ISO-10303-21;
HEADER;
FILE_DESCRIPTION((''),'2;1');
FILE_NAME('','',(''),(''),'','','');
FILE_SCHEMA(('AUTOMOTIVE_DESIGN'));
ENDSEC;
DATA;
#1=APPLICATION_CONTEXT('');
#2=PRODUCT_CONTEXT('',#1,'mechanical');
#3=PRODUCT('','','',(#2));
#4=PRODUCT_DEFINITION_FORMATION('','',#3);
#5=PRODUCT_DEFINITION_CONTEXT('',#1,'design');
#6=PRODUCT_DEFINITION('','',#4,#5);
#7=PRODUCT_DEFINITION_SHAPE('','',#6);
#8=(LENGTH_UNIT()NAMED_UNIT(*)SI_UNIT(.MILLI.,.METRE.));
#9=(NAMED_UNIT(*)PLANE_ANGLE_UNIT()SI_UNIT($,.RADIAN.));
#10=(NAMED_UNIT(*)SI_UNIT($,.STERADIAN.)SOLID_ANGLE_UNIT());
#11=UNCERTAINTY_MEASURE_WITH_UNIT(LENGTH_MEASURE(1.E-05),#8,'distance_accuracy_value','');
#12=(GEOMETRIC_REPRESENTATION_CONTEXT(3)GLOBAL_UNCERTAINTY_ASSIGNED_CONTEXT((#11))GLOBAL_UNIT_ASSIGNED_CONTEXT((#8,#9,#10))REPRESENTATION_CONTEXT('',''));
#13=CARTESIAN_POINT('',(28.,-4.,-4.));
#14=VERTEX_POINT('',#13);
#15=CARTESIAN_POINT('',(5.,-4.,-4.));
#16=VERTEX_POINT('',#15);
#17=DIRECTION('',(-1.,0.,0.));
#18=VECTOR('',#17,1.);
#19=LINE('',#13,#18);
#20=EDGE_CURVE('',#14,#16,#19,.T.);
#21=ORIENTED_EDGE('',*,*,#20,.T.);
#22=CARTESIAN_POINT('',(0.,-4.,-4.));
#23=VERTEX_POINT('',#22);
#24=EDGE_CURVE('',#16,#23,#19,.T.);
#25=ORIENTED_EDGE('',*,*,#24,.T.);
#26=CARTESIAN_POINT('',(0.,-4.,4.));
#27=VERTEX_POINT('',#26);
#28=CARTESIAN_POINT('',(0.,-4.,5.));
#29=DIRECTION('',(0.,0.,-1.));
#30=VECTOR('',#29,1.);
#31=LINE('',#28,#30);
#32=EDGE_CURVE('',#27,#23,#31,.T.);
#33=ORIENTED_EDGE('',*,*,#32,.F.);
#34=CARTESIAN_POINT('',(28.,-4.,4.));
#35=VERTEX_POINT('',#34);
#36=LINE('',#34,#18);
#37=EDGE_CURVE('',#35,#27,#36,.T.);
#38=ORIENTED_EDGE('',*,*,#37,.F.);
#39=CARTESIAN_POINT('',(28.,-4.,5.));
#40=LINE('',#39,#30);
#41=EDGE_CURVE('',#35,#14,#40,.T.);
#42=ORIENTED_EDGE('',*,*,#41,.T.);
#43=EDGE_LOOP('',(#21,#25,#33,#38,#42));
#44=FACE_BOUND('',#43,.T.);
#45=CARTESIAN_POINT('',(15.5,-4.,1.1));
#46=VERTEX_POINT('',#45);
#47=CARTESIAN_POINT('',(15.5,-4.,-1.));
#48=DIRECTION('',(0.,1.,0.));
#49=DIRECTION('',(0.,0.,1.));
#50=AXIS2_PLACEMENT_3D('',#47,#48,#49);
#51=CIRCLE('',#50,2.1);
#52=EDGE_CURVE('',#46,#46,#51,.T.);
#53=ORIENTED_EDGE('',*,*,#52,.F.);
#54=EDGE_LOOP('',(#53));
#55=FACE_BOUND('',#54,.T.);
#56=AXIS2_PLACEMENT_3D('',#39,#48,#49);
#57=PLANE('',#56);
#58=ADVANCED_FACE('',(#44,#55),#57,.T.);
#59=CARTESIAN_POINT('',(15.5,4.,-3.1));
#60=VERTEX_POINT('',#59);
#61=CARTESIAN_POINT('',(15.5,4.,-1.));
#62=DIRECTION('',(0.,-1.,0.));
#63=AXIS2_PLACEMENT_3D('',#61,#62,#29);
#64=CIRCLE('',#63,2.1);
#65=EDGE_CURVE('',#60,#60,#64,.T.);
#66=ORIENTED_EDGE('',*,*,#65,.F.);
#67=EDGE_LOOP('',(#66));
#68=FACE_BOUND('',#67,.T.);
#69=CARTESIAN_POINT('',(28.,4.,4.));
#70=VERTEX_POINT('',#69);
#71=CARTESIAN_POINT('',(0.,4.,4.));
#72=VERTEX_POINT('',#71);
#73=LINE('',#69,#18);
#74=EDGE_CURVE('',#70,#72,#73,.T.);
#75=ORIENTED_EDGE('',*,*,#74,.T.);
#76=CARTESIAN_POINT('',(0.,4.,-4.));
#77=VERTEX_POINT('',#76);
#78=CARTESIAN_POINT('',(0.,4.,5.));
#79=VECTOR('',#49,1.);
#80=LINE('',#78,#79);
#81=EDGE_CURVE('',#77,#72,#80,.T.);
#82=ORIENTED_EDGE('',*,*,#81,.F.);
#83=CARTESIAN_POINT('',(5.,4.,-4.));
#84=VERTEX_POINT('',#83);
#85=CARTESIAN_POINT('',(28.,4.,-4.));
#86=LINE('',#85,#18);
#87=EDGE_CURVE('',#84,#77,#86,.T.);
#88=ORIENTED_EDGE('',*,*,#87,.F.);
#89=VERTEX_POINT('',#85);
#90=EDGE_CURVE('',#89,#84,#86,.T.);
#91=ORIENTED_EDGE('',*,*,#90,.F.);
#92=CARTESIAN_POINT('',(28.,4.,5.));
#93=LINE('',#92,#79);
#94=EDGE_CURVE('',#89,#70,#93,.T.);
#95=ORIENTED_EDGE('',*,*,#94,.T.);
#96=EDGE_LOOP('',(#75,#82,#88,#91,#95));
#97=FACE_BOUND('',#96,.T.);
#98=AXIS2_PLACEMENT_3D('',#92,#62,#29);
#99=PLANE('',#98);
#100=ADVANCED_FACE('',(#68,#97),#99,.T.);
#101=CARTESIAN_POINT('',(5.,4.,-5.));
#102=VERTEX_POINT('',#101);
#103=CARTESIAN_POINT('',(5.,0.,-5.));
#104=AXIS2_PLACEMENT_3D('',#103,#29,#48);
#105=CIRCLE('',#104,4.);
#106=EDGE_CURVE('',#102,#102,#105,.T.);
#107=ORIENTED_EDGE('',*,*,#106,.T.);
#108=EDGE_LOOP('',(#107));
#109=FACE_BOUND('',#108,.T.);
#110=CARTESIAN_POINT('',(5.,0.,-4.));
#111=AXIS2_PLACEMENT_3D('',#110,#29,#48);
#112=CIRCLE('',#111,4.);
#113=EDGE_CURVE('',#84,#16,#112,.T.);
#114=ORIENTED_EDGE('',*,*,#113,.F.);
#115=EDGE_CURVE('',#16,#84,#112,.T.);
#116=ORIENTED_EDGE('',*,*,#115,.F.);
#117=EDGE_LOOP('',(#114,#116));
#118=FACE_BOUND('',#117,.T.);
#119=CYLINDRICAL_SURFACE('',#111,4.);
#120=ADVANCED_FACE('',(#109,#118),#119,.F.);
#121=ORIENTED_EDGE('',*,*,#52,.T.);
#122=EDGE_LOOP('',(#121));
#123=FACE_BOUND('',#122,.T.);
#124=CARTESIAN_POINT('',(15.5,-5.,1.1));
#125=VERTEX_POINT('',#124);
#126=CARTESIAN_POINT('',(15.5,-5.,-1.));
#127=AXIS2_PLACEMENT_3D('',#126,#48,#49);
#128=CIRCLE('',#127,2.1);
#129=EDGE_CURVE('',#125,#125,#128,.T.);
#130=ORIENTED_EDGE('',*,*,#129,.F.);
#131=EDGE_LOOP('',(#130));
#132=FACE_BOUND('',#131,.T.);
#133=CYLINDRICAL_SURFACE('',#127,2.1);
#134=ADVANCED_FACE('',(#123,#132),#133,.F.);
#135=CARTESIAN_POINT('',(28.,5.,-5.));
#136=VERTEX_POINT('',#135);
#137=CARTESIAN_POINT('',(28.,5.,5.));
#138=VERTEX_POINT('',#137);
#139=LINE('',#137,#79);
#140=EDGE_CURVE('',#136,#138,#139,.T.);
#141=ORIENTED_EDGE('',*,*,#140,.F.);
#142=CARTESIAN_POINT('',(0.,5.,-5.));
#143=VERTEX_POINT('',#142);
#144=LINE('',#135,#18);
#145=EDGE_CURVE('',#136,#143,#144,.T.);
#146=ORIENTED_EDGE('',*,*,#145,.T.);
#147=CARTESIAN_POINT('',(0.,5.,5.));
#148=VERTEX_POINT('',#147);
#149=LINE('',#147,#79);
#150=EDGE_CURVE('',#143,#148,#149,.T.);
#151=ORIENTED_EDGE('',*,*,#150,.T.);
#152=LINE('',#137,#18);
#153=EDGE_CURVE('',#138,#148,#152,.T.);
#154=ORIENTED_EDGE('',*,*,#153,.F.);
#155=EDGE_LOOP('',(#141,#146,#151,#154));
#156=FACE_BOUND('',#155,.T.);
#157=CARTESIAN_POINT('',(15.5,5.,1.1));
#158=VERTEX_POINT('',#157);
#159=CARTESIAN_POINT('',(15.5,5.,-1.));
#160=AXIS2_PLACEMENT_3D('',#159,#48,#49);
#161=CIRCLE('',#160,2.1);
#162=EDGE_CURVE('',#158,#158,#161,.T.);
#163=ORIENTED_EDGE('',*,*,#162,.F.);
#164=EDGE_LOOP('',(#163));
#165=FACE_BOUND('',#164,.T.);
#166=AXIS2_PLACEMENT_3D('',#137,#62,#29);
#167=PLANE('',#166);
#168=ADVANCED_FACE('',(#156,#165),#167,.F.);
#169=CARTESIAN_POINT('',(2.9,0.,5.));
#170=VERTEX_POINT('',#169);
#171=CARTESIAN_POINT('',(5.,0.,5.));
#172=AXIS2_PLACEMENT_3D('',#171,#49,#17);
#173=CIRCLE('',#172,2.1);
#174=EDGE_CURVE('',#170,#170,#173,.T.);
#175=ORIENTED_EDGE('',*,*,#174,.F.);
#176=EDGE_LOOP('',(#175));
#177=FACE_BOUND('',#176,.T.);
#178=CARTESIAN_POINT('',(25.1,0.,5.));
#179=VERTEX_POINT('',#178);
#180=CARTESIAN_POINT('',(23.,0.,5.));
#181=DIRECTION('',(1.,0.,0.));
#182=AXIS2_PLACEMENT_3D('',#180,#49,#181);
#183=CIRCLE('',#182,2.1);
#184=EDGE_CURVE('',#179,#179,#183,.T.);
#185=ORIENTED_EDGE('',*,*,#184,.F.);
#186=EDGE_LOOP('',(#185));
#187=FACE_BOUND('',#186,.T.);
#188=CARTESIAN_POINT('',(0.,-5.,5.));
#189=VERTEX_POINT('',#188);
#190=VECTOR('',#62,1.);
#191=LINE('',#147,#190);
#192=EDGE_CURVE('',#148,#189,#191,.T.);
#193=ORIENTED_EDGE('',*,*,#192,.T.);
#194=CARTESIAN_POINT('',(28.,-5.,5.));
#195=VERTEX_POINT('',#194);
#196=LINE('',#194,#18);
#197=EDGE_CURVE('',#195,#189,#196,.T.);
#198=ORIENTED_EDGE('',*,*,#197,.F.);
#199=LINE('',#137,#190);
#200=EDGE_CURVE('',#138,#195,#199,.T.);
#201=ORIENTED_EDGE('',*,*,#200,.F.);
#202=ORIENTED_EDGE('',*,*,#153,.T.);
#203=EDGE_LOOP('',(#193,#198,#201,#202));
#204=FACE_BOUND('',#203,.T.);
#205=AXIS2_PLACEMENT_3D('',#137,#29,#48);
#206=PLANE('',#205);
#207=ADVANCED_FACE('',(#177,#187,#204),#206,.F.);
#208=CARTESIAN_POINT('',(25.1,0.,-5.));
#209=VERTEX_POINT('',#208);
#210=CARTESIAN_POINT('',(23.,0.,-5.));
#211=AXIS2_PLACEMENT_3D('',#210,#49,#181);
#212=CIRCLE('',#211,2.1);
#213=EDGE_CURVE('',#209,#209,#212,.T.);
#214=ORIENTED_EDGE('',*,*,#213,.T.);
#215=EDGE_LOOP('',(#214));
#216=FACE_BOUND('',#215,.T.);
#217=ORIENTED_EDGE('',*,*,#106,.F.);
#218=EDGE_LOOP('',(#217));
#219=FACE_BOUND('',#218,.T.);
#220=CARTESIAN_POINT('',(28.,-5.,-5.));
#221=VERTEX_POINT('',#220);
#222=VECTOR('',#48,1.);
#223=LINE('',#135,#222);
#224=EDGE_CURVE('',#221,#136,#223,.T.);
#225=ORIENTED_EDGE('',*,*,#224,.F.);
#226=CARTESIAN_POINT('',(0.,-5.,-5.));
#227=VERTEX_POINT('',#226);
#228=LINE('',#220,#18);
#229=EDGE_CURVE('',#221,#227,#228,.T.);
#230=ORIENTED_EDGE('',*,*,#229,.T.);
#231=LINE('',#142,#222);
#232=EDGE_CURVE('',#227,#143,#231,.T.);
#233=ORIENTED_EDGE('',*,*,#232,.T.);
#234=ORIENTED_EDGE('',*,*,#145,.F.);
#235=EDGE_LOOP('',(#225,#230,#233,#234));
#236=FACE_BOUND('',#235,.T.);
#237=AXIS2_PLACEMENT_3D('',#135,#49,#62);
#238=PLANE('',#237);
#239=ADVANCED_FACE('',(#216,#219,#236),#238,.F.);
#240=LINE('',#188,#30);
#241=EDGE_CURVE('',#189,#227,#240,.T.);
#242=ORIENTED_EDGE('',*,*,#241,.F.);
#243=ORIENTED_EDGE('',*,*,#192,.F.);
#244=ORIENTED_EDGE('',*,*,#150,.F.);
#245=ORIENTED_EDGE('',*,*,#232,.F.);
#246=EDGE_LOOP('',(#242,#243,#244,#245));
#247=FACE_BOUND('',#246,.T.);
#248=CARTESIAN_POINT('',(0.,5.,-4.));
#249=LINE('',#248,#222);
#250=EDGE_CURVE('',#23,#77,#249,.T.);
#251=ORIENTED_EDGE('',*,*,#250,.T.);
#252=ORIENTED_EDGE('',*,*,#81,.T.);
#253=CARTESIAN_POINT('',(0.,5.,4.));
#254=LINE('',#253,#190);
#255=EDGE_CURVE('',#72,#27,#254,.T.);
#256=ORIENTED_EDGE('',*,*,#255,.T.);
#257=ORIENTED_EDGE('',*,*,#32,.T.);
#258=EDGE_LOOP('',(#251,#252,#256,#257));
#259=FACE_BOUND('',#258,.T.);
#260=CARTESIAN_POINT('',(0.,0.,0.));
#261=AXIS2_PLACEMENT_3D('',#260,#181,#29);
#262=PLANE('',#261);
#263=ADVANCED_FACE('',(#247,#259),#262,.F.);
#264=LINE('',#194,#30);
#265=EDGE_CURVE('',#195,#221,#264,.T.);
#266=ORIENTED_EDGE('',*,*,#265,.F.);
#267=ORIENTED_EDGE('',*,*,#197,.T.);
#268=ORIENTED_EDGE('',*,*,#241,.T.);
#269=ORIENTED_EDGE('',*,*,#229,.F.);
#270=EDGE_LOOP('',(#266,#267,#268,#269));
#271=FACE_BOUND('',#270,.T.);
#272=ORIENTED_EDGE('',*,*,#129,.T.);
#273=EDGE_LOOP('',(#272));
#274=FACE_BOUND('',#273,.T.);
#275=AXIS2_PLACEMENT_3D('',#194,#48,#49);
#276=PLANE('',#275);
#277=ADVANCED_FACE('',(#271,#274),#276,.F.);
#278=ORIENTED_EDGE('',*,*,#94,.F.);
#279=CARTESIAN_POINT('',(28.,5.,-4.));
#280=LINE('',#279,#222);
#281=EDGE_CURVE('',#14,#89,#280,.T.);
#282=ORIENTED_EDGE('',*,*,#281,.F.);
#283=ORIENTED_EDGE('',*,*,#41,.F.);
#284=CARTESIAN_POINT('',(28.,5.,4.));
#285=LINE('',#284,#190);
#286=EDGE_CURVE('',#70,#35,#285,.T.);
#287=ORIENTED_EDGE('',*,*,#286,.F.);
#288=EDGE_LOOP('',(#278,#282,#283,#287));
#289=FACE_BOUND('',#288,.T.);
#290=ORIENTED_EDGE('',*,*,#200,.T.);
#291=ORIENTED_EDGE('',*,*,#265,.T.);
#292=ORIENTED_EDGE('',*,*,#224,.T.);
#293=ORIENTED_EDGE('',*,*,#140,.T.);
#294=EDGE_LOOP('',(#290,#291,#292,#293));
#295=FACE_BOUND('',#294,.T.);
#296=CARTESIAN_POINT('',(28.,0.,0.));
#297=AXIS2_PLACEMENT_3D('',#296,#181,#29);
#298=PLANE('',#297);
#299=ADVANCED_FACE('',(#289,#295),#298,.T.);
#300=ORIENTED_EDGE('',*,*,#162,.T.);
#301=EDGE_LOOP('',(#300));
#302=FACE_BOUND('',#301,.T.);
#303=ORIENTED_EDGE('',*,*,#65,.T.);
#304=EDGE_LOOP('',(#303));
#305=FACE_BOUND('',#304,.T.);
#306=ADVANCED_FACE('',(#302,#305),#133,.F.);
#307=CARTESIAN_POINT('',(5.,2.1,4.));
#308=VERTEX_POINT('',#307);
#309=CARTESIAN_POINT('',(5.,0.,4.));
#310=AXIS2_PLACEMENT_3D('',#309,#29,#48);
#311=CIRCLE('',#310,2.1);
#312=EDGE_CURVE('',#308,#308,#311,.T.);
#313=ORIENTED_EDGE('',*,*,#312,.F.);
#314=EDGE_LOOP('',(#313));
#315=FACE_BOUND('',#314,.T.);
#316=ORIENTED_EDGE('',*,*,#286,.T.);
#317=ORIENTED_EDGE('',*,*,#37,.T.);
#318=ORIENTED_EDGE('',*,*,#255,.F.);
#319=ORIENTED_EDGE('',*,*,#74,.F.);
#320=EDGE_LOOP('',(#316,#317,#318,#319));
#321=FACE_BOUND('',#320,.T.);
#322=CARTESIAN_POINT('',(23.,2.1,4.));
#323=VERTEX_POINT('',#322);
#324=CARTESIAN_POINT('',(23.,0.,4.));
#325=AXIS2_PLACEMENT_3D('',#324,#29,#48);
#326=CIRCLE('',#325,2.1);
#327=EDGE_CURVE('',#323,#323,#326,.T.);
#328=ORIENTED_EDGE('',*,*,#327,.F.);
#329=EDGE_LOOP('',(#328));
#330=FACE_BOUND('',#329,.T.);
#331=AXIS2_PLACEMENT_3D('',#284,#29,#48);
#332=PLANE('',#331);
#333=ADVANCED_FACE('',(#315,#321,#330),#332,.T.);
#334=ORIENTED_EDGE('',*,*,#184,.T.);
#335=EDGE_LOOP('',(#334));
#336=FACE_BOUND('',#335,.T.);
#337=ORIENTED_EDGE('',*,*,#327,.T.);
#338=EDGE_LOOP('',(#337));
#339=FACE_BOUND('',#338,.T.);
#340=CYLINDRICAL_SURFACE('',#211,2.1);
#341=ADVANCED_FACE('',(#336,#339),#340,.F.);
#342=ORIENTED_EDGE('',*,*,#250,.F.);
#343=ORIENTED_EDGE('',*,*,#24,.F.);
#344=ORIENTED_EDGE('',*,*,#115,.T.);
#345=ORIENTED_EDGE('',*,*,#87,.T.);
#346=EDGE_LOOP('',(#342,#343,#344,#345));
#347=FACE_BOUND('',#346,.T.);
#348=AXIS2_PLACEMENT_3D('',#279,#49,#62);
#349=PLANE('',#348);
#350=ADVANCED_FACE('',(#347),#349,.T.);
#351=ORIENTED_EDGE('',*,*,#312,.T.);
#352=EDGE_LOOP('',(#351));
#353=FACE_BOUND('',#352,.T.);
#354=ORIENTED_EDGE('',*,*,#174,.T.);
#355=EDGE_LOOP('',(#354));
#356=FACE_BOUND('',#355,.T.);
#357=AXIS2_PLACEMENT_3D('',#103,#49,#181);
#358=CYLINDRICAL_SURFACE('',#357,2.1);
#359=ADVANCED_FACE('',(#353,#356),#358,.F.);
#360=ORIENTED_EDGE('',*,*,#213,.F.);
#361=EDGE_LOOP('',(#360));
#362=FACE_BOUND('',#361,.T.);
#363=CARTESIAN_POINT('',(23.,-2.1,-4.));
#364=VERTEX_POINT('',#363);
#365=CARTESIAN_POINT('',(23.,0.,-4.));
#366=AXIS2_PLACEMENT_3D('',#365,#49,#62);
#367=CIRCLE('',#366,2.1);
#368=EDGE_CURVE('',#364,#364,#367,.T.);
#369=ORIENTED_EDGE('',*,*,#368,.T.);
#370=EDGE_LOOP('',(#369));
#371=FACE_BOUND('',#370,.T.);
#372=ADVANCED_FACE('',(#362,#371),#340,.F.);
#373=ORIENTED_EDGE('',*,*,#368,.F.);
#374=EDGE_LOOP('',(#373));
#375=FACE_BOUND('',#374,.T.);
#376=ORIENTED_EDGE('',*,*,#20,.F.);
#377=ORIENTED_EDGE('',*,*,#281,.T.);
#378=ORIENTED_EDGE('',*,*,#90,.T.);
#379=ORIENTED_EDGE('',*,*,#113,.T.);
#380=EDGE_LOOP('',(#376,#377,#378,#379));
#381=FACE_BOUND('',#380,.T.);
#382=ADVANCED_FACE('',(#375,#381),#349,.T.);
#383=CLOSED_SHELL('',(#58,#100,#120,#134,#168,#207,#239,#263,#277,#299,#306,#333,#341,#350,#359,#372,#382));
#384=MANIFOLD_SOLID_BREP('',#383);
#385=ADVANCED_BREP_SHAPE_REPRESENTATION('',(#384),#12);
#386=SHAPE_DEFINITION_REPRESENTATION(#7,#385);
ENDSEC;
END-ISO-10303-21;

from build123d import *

# Parameters (mm, degrees)
SKETCH_1_W          = 10
SKETCH_1_H          = 10
SKETCH_1_W_2        = 8
SKETCH_1_H_2        = 8
EXTRUDE_1_DEPTH     = 28
SKETCH_4_R          = 2.1
CUT_EXTRUDE_3_DEPTH = 31.149626863
SKETCH_5_R          = 2.1
CUT_EXTRUDE_4_DEPTH = 31.149626863
SKETCH_6_R          = 4
CUT_EXTRUDE_5_DEPTH = 1


with BuildPart() as part:
    # ｽｹｯﾁ1 → 押し出し-薄板1 (new body)
    with BuildSketch(Plane(origin=(0, 0, 0), x_dir=(0, 0, -1), z_dir=(1, 0, 0))):
        Rectangle(SKETCH_1_W, SKETCH_1_H)
        Rectangle(SKETCH_1_W_2, SKETCH_1_H_2, mode=Mode.SUBTRACT)
    extrude(amount=EXTRUDE_1_DEPTH)

    # ｽｹｯﾁ4 → ｶｯﾄ - 押し出し3 (cut, through all)
    with BuildSketch(Plane.XY.offset(5)):
        with Locations((23, 0)):
            Circle(SKETCH_4_R)
        with Locations(Location((5, 0, 0), (0, 0, 90))):
            Circle(SKETCH_4_R)
    extrude(amount=-CUT_EXTRUDE_3_DEPTH, mode=Mode.SUBTRACT)

    # ｽｹｯﾁ5 → ｶｯﾄ - 押し出し4 (cut, through all)
    with BuildSketch(Plane(origin=(0, 5, 0), x_dir=(1, 0, 0), z_dir=(0, 1, 0))):
        with Locations(Location((15.5, 1, 0), (0, 0, 270))):
            Circle(SKETCH_5_R)
    extrude(amount=-CUT_EXTRUDE_4_DEPTH, mode=Mode.SUBTRACT)

    # ｽｹｯﾁ6 → ｶｯﾄ - 押し出し5 (cut)
    with BuildSketch(Plane(origin=(0, 0, -5), x_dir=(-1, 0, 0), z_dir=(0, 0, -1))):
        with Locations(Location((-5, 0, 0), (0, 0, 90))):
            Circle(SKETCH_6_R)
    extrude(amount=-CUT_EXTRUDE_5_DEPTH, mode=Mode.SUBTRACT)


solid = part.part
